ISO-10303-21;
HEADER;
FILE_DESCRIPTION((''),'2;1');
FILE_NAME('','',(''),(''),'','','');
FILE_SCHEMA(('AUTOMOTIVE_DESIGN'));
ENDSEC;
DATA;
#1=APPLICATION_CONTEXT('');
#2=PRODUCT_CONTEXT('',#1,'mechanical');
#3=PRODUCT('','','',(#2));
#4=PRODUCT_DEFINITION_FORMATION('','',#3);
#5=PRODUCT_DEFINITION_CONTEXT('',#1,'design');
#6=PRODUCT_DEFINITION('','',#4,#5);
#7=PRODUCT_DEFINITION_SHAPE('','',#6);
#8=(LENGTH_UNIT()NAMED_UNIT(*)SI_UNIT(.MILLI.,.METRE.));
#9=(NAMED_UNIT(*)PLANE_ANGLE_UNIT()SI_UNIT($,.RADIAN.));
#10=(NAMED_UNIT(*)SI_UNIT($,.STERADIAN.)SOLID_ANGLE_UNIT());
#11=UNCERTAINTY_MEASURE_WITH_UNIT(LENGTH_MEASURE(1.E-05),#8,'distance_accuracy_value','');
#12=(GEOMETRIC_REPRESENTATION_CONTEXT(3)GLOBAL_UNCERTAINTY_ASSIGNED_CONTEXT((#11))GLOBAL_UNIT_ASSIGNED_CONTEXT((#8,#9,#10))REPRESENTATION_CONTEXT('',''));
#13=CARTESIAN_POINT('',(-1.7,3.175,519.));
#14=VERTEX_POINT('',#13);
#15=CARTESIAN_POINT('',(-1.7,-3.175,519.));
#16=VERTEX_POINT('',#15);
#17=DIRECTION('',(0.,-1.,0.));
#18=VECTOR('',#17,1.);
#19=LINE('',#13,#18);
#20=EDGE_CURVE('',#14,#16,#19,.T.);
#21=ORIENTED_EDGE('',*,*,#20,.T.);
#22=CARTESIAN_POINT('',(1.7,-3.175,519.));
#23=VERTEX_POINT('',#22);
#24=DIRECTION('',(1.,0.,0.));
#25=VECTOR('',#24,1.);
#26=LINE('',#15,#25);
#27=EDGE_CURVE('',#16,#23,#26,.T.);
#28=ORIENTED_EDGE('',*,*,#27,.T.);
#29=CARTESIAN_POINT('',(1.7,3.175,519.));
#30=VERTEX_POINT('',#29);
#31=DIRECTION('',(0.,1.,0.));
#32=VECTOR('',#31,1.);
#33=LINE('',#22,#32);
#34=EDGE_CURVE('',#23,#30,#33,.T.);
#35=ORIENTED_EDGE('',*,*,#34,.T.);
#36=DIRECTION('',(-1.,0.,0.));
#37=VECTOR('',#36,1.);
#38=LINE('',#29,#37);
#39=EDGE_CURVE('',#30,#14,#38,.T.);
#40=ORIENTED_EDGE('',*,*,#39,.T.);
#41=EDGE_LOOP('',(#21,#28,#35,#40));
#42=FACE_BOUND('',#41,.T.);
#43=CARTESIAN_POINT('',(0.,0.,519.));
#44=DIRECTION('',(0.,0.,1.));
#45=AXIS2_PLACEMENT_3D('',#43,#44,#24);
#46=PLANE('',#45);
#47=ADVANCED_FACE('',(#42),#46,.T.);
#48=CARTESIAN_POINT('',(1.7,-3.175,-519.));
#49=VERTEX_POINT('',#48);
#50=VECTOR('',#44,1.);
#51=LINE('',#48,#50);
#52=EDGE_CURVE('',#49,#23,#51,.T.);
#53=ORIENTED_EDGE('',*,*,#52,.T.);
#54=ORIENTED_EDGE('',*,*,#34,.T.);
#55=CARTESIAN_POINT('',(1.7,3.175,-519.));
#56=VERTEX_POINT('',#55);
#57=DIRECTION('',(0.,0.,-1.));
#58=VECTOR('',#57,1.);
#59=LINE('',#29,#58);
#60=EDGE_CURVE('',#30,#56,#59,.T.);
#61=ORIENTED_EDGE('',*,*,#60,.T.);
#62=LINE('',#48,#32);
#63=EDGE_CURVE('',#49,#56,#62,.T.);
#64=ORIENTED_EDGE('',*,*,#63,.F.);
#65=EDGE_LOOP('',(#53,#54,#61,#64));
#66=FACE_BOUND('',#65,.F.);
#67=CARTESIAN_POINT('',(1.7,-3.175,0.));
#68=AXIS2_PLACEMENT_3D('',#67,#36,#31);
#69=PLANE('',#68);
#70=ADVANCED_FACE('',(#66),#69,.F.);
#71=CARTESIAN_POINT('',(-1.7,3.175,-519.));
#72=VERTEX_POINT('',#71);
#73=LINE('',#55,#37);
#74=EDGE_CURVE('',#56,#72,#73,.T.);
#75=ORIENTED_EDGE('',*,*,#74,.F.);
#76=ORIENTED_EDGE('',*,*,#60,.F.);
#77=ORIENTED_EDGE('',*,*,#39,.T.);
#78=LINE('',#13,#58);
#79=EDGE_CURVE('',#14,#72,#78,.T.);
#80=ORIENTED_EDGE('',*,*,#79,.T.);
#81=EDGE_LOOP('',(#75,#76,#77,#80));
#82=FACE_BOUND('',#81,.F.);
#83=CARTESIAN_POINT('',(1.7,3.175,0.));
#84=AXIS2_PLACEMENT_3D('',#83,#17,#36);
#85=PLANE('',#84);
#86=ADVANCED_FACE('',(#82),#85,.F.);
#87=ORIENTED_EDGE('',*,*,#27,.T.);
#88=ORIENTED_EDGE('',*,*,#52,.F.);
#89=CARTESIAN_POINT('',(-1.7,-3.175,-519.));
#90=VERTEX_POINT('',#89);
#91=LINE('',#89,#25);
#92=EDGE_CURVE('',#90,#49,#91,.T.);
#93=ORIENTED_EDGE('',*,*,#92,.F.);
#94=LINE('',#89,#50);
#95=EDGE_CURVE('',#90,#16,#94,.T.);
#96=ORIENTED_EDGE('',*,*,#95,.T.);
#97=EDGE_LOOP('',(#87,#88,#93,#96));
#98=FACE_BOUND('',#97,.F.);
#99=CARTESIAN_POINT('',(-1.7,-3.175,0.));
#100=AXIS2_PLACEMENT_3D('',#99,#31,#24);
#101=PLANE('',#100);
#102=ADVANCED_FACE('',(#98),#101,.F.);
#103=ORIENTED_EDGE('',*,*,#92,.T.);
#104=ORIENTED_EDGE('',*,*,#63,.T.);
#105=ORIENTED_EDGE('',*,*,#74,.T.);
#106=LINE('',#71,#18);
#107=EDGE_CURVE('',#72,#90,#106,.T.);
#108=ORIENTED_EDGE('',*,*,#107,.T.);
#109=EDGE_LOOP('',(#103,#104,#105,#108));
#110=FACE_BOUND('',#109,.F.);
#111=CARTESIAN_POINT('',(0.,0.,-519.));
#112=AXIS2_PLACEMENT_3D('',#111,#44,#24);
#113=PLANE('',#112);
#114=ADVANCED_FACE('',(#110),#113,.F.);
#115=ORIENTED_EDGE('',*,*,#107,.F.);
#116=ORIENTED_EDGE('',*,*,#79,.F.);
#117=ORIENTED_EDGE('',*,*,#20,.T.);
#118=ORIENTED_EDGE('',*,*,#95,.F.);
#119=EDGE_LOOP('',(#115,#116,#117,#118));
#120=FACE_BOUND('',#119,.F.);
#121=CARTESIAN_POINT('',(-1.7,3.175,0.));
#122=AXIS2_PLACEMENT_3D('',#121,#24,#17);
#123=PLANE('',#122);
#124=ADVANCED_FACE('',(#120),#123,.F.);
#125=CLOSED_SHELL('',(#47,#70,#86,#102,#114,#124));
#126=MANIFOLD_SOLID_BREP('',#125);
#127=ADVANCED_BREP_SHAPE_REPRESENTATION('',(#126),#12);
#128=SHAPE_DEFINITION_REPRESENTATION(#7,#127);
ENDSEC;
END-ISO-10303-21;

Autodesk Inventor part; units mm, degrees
ref_plane "YZ Plane" through (0, 0, 0) normal (1, 0, 0) x (0, 1, 0)
ref_plane "XZ Plane" through (0, 0, 0) normal (0, 1, 0) x (-1, 0, 0)
ref_plane "XY Plane" through (0, 0, 0) normal (0, 0, 1) x (1, 0, 0)
sketch "Sketch1" plane through (0, 0, 0) normal (0, 0, 1) x (1, 0, 0)
  line L0 (-1.7, -3.175) -> (1.7, -3.175)
  line L1 (1.7, -3.175) -> (1.7, 3.175)
  line L2 (1.7, 3.175) -> (-1.7, 3.175)
  line L3 (-1.7, 3.175) -> (-1.7, -3.175)
  line L4 (-1.7, -3.175) -> (1.7, 3.175) construction
  line L5 (1.7, -3.175) -> (-1.7, 3.175) construction
  point P0 (0, 0)
  dimension "d0" = 3.4
  dimension "d1" = 6.35
extrude "Extrusion1" add sketch "Sketch1" along normal mid plane 1038
properties part number "3216_Rail Brass Track_V1" material "Brass, Soft Yellow"
